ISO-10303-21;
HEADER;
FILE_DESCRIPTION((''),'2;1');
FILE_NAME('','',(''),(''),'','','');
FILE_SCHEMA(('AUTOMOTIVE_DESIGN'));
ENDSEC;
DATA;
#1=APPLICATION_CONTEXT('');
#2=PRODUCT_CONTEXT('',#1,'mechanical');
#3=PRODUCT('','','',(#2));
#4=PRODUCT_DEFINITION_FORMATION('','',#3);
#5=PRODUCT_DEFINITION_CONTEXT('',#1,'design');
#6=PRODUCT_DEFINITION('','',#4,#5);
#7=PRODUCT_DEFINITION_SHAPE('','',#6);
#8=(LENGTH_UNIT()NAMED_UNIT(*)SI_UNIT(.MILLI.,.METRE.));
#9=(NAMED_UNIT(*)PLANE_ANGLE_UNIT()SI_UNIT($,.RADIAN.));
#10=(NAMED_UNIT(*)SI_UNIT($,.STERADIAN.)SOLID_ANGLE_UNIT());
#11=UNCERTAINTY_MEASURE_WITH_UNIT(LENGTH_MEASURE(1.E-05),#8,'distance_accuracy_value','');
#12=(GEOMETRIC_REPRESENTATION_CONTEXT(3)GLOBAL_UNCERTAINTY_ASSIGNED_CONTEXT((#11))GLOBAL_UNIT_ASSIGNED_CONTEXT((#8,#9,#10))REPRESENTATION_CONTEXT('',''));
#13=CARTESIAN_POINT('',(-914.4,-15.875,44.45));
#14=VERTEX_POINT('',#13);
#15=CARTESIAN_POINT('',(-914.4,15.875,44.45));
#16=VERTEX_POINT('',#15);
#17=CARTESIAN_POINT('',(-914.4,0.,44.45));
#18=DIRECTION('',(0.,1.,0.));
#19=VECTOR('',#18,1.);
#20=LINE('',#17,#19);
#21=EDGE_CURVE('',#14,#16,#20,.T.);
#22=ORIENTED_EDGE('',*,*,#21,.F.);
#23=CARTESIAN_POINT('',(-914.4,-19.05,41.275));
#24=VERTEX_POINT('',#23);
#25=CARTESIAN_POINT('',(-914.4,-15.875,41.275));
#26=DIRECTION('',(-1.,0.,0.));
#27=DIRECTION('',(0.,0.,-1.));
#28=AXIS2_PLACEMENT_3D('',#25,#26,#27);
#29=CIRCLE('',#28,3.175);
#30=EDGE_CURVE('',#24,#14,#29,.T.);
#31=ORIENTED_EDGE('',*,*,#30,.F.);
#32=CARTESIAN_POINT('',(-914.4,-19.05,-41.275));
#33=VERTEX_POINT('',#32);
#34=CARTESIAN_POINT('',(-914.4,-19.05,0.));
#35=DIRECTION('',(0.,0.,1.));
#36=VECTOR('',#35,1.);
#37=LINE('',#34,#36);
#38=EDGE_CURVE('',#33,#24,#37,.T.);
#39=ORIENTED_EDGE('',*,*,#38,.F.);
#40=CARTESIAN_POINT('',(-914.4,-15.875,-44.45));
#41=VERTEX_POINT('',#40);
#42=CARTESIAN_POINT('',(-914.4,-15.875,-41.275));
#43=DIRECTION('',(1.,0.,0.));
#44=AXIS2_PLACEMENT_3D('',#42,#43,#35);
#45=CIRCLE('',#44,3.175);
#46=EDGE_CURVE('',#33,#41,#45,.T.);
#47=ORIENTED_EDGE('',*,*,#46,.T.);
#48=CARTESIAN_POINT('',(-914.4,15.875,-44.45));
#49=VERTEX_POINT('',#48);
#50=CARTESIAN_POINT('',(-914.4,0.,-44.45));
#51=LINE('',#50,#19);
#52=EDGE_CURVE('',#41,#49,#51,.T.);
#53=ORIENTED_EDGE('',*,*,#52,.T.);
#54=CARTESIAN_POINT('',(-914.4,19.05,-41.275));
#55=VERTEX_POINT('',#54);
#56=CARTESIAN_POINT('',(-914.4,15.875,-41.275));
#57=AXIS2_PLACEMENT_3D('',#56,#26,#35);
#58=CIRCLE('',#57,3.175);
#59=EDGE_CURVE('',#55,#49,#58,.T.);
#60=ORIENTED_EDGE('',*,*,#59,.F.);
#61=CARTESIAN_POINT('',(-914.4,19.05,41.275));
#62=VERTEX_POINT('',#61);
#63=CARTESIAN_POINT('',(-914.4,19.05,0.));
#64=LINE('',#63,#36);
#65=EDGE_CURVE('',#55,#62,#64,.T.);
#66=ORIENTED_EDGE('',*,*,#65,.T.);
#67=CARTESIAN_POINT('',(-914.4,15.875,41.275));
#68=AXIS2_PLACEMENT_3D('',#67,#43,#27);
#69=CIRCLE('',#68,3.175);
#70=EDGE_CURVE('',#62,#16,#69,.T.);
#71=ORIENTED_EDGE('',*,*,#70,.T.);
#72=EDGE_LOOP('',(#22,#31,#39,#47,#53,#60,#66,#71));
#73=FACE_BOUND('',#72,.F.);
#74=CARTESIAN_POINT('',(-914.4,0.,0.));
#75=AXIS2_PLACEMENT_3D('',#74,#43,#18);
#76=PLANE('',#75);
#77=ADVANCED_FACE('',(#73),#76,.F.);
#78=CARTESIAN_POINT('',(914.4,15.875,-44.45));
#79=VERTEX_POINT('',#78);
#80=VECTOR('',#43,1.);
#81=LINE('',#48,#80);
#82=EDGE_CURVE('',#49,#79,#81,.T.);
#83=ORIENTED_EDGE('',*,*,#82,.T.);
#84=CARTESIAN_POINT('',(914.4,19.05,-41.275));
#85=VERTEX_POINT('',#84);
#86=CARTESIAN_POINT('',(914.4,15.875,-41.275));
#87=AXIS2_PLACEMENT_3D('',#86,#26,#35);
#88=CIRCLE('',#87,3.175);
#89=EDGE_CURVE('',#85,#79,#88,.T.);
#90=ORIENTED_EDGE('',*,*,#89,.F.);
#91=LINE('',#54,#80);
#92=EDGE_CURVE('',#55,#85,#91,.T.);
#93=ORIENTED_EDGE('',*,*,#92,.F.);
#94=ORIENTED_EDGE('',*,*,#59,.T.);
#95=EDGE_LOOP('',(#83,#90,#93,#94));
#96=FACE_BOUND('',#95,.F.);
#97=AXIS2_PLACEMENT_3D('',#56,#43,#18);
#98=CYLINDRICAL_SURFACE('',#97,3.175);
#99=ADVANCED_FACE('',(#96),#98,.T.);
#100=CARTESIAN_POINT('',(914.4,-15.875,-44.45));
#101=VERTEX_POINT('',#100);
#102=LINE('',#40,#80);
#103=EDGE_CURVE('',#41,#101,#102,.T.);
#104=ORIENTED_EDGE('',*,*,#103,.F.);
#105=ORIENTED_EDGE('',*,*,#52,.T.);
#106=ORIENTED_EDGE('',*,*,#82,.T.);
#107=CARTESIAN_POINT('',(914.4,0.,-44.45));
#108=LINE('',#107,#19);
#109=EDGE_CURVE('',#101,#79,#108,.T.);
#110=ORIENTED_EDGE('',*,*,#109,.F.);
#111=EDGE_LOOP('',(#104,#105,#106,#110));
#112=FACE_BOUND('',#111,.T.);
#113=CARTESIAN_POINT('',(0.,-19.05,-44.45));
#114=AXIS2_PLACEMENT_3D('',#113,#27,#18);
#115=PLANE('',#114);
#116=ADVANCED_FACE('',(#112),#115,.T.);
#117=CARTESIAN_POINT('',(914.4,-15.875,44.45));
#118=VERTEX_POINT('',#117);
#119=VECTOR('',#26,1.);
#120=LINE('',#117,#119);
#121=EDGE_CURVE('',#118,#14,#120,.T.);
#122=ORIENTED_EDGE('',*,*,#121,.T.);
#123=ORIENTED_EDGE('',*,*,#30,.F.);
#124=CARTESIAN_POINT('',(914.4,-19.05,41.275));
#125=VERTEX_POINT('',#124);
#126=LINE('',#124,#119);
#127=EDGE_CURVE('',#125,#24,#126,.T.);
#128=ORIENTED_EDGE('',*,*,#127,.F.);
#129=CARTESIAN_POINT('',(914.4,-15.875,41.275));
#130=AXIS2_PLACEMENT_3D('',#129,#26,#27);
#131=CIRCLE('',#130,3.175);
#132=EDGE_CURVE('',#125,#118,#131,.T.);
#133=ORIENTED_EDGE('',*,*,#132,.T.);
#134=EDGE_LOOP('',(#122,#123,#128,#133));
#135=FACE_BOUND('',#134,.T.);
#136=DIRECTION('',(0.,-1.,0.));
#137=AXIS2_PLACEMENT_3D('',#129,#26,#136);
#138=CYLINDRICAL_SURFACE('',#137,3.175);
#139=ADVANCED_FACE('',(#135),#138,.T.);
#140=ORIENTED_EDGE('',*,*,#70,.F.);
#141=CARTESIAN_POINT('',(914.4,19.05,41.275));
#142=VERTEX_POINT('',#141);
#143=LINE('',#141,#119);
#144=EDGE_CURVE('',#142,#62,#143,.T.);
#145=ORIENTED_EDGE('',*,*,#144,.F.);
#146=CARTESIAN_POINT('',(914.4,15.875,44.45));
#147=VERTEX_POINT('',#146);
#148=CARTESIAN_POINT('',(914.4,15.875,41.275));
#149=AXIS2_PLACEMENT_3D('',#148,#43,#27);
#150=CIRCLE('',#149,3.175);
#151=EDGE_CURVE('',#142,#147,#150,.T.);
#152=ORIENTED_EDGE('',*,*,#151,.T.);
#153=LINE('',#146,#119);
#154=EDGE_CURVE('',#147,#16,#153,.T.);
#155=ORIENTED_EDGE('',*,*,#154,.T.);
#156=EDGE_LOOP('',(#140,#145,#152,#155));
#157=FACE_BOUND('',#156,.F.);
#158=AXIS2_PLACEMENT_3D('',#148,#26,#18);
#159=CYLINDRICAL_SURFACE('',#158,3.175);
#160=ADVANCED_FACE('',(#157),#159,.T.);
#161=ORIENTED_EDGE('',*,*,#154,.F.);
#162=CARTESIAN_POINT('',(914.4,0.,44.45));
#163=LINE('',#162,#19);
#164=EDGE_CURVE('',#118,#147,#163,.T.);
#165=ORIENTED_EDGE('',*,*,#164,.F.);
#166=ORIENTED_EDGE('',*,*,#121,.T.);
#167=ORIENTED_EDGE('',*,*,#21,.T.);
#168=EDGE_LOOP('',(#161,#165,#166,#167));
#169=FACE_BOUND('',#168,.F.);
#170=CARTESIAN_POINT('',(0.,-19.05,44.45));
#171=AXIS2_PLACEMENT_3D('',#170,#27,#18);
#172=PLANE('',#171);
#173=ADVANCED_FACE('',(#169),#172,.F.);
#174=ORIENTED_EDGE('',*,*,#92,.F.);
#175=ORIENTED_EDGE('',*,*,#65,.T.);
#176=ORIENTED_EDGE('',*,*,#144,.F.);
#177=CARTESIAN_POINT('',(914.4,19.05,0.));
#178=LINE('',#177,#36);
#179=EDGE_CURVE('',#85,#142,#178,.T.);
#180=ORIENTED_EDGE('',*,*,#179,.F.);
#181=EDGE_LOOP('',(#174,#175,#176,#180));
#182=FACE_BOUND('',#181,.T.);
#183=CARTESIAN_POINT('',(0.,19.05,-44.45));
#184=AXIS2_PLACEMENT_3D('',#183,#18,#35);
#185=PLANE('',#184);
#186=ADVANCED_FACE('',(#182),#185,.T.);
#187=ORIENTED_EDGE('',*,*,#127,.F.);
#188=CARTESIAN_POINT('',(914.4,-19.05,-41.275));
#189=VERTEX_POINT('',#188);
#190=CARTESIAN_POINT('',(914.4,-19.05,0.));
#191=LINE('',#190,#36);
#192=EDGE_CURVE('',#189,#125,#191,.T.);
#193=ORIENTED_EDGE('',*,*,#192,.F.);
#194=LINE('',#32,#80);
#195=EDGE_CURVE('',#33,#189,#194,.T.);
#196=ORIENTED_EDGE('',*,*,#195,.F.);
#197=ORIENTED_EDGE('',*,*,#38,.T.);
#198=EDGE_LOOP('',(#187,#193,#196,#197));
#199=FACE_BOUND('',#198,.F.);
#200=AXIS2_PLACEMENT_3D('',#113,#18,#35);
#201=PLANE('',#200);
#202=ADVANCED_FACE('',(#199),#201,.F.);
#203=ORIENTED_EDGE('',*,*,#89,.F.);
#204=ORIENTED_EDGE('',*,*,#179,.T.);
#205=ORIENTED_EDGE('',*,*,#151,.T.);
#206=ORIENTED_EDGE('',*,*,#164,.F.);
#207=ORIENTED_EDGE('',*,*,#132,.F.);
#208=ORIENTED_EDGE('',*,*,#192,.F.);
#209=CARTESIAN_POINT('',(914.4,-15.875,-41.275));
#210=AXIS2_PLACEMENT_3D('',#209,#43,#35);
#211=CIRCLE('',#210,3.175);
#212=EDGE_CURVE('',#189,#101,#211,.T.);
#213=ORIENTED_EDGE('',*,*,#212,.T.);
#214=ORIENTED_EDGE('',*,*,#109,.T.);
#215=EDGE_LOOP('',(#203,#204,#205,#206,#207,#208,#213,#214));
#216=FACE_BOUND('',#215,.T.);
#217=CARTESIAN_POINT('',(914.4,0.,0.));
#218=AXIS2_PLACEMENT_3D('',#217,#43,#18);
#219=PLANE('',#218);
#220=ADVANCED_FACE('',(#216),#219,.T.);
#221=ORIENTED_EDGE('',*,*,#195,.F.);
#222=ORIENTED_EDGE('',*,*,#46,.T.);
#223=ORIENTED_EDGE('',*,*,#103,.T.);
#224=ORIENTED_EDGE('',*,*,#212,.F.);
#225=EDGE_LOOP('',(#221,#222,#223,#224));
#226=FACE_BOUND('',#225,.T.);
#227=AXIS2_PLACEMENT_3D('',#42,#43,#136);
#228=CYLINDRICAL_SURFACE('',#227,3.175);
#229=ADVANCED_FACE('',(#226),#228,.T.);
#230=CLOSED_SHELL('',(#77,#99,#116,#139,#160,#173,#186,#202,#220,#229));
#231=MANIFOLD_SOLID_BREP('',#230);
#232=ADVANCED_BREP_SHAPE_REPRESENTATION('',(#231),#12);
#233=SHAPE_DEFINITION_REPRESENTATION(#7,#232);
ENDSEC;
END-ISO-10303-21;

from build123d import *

# Parameters (mm, degrees)
F0_W     = 38.1
F0_H     = 88.9
F1_DEPTH = 914.4
F2_R     = 3.175


with BuildPart() as f1:
    # F0 (on Right) → F1 (new body, symmetric)
    with BuildSketch(Plane.YZ):
        Rectangle(F0_W, F0_H)
    extrude(amount=F1_DEPTH, both=True)

    # F2
    f2_edges = [f1.edges().sort_by_distance(p)[0] for p in [
        (0, -19.05, 44.45),
        (0, 19.05, 44.45),
        (0, -19.05, -44.45),
        (0, 19.05, -44.45),
    ]]
    fillet(f2_edges, radius=F2_R)


solid = f1.part
